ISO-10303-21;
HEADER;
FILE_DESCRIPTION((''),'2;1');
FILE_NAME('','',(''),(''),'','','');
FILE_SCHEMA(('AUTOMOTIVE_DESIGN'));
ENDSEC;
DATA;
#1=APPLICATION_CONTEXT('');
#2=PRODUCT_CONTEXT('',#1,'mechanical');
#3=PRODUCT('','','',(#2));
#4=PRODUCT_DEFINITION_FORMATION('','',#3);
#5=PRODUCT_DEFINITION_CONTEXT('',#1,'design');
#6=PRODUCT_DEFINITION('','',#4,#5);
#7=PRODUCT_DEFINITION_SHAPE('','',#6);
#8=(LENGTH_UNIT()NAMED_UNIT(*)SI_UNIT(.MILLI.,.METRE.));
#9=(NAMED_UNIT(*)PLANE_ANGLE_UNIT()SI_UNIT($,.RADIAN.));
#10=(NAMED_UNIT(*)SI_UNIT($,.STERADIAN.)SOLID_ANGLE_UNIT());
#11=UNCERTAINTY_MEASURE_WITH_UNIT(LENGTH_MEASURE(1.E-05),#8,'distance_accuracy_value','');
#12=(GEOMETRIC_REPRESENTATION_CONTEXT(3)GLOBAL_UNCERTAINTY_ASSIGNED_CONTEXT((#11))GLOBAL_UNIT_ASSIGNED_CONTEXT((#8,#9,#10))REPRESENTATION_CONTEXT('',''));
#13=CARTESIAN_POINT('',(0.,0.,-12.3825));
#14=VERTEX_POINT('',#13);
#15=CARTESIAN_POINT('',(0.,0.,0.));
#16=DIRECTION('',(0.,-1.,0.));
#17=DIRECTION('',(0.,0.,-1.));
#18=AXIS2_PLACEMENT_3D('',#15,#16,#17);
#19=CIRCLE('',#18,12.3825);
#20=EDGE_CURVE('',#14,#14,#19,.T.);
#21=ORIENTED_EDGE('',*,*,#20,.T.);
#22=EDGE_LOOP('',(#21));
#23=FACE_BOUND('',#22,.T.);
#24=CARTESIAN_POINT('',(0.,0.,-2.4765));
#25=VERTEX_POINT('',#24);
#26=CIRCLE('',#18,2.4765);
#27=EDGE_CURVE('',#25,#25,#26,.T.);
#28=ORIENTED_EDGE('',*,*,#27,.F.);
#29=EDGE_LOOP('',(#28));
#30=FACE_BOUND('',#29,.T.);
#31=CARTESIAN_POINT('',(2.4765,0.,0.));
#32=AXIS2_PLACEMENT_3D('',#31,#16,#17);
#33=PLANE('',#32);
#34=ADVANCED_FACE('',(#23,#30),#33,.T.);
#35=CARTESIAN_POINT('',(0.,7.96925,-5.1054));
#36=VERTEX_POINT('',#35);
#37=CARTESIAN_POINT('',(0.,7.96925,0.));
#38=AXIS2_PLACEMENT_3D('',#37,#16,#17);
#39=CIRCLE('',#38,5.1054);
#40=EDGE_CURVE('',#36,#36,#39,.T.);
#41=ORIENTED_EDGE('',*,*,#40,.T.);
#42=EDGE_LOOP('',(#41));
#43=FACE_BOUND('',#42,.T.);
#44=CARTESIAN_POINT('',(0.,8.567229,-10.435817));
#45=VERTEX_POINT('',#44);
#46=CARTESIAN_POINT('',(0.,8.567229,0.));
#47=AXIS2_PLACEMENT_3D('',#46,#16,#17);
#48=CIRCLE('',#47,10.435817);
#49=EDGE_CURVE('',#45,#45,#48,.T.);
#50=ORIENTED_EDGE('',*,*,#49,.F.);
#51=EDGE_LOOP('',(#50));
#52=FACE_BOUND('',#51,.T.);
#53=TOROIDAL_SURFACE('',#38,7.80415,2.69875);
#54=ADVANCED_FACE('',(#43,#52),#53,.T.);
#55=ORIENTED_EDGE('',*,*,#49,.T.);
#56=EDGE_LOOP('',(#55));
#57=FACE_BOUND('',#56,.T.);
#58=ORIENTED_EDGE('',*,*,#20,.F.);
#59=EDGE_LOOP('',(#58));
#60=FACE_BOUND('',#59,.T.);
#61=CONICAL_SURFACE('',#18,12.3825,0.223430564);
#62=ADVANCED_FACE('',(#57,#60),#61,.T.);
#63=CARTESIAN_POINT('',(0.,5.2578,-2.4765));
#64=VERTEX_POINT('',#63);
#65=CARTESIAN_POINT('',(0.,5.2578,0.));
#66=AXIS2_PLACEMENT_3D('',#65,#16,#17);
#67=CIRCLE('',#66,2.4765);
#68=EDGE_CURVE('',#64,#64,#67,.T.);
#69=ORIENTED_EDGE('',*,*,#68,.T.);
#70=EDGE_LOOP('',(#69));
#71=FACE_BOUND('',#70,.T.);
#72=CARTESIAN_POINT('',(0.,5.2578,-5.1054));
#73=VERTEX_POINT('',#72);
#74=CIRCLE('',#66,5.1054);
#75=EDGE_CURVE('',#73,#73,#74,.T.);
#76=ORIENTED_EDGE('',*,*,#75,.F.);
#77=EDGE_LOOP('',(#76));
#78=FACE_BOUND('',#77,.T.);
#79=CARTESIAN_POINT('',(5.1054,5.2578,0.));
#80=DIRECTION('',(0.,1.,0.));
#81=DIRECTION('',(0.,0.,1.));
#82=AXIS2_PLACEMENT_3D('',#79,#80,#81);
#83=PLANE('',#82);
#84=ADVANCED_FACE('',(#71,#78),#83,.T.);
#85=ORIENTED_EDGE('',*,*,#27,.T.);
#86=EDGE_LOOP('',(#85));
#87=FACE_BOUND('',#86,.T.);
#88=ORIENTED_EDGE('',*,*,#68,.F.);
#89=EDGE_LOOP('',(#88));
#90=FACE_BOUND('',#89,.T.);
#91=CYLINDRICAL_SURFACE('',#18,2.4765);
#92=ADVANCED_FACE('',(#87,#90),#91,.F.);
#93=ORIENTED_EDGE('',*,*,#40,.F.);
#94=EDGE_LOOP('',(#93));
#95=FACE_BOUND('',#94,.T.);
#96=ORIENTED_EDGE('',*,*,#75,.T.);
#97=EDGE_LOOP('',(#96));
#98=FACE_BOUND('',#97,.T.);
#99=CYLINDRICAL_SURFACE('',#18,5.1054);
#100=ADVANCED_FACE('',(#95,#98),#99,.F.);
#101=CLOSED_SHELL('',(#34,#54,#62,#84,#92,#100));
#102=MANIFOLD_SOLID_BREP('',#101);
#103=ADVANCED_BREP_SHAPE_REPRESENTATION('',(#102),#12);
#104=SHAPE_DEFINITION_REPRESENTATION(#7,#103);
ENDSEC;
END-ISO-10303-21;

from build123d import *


with BuildPart() as part:
    # Sketch1 → Revolve1 (revolve)
    with BuildSketch(Plane.XY):
        with BuildLine():
            Line((10.435817327, 8.567228799), (12.3825, 0))
            Line((12.3825, 0), (2.4765, 0))
            Line((2.4765, 0), (2.4765, 5.2578))
            Line((2.4765, 5.2578), (5.1054, 5.2578))
            Line((5.1054, 5.2578), (5.1054, 7.96925))
            ThreePointArc((5.1054, 7.96925), (7.50328511, 10.651176897), (10.435817327, 8.567228799))
        make_face()
    revolve(axis=Axis((0, 0, 0), (0, 1, 0)))


solid = part.part
